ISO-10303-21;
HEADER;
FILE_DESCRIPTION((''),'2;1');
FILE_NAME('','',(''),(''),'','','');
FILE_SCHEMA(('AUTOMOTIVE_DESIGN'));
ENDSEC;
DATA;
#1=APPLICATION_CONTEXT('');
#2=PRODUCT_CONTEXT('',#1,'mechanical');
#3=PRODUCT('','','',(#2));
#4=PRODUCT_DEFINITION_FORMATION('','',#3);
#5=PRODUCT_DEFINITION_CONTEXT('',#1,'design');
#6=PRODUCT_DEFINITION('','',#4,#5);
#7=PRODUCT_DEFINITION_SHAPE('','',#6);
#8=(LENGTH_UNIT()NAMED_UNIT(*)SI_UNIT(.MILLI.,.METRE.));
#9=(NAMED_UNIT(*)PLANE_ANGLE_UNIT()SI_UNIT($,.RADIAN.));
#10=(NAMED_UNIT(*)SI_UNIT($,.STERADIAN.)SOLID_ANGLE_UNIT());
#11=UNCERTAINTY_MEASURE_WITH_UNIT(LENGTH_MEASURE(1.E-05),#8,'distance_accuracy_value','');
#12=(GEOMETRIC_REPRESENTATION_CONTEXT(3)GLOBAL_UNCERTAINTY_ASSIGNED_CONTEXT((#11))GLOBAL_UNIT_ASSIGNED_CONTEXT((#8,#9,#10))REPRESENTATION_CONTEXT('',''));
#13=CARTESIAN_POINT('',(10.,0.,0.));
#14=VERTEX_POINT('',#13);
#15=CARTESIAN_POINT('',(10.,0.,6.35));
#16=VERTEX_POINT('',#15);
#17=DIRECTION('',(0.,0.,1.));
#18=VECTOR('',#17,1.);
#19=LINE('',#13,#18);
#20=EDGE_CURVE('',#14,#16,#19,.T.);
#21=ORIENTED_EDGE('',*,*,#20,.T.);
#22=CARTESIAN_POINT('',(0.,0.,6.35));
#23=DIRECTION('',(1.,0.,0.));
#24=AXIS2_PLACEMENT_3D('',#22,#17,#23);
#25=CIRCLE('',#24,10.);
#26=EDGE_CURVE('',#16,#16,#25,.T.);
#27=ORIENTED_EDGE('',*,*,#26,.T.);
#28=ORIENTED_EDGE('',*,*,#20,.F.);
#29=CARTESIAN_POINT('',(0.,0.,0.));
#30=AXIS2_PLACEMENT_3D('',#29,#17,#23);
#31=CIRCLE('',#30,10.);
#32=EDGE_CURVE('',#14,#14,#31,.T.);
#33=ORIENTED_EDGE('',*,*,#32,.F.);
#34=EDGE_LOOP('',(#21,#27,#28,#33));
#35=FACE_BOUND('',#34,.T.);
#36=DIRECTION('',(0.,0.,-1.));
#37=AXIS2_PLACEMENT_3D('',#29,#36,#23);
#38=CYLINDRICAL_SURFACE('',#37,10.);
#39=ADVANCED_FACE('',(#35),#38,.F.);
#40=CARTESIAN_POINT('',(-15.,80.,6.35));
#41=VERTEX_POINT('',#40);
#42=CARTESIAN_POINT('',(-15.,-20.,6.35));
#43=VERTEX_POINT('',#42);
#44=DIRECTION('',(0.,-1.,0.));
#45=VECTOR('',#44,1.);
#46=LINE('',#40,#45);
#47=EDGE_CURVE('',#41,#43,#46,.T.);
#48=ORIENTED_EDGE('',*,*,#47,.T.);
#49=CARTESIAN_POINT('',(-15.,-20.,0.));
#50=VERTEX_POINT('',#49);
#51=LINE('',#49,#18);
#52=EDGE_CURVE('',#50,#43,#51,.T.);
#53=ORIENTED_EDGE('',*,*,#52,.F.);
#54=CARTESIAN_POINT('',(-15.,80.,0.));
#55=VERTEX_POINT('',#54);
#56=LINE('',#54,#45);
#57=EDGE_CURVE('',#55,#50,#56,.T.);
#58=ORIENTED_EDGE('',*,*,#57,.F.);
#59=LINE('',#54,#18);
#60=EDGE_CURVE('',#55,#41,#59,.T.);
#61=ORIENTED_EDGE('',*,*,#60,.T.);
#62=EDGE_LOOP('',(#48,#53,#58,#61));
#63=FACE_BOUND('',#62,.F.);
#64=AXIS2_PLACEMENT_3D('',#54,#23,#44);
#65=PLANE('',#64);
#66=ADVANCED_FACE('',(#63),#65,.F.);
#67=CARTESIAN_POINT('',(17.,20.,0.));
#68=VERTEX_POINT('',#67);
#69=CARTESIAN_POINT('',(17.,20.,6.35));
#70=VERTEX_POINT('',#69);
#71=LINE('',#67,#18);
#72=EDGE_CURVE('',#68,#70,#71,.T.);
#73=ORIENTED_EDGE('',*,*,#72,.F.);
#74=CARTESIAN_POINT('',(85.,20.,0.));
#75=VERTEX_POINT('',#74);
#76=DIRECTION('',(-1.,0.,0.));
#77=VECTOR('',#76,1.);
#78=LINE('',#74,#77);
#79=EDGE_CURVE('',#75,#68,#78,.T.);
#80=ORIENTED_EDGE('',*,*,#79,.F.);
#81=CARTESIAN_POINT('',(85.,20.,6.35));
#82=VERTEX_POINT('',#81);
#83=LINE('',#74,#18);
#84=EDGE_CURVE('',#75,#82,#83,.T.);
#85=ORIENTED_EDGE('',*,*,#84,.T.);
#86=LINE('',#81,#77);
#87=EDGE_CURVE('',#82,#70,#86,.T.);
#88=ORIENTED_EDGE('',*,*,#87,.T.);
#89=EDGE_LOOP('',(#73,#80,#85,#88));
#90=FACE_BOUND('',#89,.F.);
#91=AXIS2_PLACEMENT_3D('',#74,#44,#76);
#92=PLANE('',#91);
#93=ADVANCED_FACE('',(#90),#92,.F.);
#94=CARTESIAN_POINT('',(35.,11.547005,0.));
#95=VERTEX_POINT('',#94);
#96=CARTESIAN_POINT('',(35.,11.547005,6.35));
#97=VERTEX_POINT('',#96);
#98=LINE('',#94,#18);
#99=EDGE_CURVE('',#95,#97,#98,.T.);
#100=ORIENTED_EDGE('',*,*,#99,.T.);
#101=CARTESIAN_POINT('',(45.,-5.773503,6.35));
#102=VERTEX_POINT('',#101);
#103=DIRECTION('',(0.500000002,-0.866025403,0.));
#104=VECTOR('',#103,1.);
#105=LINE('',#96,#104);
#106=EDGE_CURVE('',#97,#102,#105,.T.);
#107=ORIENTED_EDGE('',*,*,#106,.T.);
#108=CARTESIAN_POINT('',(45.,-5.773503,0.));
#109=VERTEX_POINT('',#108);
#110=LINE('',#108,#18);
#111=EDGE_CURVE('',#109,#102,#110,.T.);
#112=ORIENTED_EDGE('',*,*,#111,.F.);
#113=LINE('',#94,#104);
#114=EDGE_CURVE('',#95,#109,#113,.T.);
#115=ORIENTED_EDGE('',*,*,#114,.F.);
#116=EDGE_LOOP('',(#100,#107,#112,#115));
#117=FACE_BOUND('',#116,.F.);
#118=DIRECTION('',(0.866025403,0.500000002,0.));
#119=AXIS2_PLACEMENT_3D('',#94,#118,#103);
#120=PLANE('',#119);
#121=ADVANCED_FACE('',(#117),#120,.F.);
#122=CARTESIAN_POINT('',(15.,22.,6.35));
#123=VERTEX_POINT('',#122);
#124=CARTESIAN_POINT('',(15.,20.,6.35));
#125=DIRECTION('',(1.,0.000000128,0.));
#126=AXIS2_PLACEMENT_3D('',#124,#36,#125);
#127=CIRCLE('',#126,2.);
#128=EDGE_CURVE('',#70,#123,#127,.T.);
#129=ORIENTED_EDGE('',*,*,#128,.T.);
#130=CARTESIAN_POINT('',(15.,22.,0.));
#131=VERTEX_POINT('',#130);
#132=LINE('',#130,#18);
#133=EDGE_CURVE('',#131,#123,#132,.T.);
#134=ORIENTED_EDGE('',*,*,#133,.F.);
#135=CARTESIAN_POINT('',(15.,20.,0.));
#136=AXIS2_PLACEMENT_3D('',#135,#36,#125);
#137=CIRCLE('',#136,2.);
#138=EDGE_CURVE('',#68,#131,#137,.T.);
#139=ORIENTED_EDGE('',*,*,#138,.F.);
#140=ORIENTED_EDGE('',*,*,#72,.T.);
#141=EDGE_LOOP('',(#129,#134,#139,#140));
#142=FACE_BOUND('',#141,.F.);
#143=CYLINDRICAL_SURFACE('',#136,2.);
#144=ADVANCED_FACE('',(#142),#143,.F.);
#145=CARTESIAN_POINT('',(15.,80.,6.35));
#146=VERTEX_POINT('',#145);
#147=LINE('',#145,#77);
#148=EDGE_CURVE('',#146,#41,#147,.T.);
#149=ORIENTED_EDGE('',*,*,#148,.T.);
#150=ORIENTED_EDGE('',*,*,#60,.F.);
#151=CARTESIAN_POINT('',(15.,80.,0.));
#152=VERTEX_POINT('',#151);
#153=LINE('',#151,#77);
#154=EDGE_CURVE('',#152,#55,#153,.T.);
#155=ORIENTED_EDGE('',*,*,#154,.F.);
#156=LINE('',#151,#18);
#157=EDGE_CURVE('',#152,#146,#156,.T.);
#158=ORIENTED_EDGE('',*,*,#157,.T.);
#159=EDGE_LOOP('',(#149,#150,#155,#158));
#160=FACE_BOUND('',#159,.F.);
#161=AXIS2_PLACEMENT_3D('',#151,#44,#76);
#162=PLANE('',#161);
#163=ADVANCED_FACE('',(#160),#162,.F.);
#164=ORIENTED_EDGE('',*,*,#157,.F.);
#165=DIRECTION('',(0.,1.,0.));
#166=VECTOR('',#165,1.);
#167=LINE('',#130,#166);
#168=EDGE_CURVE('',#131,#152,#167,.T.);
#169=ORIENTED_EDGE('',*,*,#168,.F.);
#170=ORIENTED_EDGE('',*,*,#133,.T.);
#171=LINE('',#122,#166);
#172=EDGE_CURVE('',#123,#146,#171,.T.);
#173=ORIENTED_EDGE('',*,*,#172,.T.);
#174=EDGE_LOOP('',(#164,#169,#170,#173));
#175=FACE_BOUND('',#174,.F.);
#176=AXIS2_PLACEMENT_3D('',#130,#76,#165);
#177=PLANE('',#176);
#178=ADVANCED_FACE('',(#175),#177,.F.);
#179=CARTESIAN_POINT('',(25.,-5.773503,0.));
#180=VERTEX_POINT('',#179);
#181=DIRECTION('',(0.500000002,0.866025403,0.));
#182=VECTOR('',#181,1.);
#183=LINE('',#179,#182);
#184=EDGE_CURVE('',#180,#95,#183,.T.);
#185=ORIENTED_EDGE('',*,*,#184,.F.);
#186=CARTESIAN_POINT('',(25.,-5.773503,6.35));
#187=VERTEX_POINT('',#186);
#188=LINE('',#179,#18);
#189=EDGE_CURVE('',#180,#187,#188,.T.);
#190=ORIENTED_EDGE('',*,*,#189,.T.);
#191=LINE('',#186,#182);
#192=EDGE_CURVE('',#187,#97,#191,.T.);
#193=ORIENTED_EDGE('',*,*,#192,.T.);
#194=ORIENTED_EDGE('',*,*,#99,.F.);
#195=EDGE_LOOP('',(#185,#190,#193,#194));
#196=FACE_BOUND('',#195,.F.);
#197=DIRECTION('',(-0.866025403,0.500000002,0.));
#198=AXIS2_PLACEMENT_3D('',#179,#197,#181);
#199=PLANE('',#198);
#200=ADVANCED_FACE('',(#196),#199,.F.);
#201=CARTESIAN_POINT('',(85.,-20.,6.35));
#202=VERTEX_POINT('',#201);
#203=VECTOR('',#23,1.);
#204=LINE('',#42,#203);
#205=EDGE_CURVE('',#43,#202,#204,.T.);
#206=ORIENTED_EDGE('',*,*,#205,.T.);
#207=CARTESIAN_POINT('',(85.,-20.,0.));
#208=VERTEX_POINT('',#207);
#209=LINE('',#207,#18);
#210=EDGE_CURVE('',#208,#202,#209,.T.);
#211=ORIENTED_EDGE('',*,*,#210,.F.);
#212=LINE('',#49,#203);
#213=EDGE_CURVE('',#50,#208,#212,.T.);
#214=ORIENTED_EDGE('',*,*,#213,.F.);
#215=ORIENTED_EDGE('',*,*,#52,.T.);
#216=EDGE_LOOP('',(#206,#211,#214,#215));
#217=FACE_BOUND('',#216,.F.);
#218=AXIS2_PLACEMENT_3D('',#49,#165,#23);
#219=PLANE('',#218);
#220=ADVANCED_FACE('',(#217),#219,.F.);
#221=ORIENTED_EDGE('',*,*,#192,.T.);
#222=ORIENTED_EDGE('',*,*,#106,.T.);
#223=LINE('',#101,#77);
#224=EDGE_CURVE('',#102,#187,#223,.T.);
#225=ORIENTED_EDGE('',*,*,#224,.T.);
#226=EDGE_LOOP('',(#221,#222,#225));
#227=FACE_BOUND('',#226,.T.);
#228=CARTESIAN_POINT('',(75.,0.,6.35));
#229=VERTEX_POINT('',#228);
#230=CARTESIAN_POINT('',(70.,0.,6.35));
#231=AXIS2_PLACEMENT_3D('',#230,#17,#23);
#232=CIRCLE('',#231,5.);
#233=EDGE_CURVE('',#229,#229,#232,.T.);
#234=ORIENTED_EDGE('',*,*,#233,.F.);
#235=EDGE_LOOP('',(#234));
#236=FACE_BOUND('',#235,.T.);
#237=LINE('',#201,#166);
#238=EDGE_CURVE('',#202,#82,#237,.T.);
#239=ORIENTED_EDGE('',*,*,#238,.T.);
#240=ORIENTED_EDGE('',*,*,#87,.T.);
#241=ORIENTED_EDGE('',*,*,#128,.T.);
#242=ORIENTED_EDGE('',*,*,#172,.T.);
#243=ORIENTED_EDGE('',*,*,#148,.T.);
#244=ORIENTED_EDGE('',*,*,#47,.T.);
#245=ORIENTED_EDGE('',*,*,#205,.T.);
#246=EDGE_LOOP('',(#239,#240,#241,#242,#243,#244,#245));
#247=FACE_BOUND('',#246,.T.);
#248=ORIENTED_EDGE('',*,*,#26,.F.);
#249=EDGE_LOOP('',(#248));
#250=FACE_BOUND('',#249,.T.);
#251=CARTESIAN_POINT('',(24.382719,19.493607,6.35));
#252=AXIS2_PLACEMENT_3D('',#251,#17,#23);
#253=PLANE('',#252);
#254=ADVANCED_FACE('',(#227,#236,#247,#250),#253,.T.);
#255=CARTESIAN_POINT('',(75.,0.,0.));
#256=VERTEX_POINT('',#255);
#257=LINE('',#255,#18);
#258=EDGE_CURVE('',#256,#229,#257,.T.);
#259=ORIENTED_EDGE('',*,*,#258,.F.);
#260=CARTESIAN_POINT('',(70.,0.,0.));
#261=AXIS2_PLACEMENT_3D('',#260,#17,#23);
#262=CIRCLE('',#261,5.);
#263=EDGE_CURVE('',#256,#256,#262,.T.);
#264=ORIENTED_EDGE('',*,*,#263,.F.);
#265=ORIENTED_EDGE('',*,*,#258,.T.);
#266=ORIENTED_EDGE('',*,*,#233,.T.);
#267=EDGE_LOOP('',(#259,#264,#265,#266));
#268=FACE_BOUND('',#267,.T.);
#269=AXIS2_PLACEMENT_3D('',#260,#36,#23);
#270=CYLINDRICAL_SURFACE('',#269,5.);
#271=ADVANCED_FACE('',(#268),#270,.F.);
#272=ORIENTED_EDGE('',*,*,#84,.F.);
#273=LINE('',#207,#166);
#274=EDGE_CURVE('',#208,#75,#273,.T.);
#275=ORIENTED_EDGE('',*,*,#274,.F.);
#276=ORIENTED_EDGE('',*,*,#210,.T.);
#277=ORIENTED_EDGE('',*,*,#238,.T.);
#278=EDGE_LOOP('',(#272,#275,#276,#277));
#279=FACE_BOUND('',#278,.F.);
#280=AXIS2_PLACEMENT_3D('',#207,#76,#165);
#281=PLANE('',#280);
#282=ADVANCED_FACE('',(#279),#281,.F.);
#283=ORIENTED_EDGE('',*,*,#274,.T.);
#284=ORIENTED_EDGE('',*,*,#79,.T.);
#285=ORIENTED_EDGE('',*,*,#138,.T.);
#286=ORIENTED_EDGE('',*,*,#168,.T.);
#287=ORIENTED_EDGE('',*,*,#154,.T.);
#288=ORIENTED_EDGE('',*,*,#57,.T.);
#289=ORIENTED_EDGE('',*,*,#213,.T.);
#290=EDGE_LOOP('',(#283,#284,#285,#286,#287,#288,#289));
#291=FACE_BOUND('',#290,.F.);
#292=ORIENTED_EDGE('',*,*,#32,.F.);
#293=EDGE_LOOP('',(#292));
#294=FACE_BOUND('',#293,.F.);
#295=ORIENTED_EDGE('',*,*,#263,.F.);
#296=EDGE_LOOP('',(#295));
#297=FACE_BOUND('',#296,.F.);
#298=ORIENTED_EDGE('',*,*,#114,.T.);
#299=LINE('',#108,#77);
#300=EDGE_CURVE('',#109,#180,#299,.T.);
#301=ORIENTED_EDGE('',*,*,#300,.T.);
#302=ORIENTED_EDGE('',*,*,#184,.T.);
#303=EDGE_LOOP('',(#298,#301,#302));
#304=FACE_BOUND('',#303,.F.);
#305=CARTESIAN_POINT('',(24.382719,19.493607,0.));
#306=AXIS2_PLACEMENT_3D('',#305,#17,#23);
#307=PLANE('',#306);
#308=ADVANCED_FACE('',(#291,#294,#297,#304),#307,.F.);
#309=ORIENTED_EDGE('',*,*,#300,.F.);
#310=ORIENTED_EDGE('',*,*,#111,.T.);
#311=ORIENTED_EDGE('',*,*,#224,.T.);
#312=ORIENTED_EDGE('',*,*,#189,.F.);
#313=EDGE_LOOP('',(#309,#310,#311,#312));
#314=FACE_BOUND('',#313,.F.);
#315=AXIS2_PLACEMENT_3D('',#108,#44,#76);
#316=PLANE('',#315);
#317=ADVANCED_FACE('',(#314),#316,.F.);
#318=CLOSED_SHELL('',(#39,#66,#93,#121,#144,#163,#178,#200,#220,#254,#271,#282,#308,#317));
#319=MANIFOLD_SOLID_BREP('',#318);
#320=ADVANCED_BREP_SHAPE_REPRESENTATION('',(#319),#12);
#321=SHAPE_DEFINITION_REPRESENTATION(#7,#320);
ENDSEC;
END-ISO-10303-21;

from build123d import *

# Parameters (mm, degrees)
F0_R     = 10
F0_R_2   = 5
F1_DEPTH = 6.35


with BuildPart() as f1:
    # F0 (on Top) → F1 (new body)
    with BuildSketch(Plane.XY):
        with BuildLine():
            Line((15, 22), (15, 80))
            Line((15, 80), (-15, 80))
            Line((-15, 80), (-15, -20))
            Line((-15, -20), (85, -20))
            Line((85, -20), (85, 20))
            Line((85, 20), (17, 20))
            ThreePointArc((17, 20), (13.585786, 18.585786), (15, 22))
        make_face()
        Circle(F0_R, mode=Mode.SUBTRACT)
        Polygon((25, -5.773503), (35, 11.547005), (45, -5.773503), align=None, mode=Mode.SUBTRACT)
        with Locations((70, 0)):
            Circle(F0_R_2, mode=Mode.SUBTRACT)
    extrude(amount=F1_DEPTH)


solid = f1.part
